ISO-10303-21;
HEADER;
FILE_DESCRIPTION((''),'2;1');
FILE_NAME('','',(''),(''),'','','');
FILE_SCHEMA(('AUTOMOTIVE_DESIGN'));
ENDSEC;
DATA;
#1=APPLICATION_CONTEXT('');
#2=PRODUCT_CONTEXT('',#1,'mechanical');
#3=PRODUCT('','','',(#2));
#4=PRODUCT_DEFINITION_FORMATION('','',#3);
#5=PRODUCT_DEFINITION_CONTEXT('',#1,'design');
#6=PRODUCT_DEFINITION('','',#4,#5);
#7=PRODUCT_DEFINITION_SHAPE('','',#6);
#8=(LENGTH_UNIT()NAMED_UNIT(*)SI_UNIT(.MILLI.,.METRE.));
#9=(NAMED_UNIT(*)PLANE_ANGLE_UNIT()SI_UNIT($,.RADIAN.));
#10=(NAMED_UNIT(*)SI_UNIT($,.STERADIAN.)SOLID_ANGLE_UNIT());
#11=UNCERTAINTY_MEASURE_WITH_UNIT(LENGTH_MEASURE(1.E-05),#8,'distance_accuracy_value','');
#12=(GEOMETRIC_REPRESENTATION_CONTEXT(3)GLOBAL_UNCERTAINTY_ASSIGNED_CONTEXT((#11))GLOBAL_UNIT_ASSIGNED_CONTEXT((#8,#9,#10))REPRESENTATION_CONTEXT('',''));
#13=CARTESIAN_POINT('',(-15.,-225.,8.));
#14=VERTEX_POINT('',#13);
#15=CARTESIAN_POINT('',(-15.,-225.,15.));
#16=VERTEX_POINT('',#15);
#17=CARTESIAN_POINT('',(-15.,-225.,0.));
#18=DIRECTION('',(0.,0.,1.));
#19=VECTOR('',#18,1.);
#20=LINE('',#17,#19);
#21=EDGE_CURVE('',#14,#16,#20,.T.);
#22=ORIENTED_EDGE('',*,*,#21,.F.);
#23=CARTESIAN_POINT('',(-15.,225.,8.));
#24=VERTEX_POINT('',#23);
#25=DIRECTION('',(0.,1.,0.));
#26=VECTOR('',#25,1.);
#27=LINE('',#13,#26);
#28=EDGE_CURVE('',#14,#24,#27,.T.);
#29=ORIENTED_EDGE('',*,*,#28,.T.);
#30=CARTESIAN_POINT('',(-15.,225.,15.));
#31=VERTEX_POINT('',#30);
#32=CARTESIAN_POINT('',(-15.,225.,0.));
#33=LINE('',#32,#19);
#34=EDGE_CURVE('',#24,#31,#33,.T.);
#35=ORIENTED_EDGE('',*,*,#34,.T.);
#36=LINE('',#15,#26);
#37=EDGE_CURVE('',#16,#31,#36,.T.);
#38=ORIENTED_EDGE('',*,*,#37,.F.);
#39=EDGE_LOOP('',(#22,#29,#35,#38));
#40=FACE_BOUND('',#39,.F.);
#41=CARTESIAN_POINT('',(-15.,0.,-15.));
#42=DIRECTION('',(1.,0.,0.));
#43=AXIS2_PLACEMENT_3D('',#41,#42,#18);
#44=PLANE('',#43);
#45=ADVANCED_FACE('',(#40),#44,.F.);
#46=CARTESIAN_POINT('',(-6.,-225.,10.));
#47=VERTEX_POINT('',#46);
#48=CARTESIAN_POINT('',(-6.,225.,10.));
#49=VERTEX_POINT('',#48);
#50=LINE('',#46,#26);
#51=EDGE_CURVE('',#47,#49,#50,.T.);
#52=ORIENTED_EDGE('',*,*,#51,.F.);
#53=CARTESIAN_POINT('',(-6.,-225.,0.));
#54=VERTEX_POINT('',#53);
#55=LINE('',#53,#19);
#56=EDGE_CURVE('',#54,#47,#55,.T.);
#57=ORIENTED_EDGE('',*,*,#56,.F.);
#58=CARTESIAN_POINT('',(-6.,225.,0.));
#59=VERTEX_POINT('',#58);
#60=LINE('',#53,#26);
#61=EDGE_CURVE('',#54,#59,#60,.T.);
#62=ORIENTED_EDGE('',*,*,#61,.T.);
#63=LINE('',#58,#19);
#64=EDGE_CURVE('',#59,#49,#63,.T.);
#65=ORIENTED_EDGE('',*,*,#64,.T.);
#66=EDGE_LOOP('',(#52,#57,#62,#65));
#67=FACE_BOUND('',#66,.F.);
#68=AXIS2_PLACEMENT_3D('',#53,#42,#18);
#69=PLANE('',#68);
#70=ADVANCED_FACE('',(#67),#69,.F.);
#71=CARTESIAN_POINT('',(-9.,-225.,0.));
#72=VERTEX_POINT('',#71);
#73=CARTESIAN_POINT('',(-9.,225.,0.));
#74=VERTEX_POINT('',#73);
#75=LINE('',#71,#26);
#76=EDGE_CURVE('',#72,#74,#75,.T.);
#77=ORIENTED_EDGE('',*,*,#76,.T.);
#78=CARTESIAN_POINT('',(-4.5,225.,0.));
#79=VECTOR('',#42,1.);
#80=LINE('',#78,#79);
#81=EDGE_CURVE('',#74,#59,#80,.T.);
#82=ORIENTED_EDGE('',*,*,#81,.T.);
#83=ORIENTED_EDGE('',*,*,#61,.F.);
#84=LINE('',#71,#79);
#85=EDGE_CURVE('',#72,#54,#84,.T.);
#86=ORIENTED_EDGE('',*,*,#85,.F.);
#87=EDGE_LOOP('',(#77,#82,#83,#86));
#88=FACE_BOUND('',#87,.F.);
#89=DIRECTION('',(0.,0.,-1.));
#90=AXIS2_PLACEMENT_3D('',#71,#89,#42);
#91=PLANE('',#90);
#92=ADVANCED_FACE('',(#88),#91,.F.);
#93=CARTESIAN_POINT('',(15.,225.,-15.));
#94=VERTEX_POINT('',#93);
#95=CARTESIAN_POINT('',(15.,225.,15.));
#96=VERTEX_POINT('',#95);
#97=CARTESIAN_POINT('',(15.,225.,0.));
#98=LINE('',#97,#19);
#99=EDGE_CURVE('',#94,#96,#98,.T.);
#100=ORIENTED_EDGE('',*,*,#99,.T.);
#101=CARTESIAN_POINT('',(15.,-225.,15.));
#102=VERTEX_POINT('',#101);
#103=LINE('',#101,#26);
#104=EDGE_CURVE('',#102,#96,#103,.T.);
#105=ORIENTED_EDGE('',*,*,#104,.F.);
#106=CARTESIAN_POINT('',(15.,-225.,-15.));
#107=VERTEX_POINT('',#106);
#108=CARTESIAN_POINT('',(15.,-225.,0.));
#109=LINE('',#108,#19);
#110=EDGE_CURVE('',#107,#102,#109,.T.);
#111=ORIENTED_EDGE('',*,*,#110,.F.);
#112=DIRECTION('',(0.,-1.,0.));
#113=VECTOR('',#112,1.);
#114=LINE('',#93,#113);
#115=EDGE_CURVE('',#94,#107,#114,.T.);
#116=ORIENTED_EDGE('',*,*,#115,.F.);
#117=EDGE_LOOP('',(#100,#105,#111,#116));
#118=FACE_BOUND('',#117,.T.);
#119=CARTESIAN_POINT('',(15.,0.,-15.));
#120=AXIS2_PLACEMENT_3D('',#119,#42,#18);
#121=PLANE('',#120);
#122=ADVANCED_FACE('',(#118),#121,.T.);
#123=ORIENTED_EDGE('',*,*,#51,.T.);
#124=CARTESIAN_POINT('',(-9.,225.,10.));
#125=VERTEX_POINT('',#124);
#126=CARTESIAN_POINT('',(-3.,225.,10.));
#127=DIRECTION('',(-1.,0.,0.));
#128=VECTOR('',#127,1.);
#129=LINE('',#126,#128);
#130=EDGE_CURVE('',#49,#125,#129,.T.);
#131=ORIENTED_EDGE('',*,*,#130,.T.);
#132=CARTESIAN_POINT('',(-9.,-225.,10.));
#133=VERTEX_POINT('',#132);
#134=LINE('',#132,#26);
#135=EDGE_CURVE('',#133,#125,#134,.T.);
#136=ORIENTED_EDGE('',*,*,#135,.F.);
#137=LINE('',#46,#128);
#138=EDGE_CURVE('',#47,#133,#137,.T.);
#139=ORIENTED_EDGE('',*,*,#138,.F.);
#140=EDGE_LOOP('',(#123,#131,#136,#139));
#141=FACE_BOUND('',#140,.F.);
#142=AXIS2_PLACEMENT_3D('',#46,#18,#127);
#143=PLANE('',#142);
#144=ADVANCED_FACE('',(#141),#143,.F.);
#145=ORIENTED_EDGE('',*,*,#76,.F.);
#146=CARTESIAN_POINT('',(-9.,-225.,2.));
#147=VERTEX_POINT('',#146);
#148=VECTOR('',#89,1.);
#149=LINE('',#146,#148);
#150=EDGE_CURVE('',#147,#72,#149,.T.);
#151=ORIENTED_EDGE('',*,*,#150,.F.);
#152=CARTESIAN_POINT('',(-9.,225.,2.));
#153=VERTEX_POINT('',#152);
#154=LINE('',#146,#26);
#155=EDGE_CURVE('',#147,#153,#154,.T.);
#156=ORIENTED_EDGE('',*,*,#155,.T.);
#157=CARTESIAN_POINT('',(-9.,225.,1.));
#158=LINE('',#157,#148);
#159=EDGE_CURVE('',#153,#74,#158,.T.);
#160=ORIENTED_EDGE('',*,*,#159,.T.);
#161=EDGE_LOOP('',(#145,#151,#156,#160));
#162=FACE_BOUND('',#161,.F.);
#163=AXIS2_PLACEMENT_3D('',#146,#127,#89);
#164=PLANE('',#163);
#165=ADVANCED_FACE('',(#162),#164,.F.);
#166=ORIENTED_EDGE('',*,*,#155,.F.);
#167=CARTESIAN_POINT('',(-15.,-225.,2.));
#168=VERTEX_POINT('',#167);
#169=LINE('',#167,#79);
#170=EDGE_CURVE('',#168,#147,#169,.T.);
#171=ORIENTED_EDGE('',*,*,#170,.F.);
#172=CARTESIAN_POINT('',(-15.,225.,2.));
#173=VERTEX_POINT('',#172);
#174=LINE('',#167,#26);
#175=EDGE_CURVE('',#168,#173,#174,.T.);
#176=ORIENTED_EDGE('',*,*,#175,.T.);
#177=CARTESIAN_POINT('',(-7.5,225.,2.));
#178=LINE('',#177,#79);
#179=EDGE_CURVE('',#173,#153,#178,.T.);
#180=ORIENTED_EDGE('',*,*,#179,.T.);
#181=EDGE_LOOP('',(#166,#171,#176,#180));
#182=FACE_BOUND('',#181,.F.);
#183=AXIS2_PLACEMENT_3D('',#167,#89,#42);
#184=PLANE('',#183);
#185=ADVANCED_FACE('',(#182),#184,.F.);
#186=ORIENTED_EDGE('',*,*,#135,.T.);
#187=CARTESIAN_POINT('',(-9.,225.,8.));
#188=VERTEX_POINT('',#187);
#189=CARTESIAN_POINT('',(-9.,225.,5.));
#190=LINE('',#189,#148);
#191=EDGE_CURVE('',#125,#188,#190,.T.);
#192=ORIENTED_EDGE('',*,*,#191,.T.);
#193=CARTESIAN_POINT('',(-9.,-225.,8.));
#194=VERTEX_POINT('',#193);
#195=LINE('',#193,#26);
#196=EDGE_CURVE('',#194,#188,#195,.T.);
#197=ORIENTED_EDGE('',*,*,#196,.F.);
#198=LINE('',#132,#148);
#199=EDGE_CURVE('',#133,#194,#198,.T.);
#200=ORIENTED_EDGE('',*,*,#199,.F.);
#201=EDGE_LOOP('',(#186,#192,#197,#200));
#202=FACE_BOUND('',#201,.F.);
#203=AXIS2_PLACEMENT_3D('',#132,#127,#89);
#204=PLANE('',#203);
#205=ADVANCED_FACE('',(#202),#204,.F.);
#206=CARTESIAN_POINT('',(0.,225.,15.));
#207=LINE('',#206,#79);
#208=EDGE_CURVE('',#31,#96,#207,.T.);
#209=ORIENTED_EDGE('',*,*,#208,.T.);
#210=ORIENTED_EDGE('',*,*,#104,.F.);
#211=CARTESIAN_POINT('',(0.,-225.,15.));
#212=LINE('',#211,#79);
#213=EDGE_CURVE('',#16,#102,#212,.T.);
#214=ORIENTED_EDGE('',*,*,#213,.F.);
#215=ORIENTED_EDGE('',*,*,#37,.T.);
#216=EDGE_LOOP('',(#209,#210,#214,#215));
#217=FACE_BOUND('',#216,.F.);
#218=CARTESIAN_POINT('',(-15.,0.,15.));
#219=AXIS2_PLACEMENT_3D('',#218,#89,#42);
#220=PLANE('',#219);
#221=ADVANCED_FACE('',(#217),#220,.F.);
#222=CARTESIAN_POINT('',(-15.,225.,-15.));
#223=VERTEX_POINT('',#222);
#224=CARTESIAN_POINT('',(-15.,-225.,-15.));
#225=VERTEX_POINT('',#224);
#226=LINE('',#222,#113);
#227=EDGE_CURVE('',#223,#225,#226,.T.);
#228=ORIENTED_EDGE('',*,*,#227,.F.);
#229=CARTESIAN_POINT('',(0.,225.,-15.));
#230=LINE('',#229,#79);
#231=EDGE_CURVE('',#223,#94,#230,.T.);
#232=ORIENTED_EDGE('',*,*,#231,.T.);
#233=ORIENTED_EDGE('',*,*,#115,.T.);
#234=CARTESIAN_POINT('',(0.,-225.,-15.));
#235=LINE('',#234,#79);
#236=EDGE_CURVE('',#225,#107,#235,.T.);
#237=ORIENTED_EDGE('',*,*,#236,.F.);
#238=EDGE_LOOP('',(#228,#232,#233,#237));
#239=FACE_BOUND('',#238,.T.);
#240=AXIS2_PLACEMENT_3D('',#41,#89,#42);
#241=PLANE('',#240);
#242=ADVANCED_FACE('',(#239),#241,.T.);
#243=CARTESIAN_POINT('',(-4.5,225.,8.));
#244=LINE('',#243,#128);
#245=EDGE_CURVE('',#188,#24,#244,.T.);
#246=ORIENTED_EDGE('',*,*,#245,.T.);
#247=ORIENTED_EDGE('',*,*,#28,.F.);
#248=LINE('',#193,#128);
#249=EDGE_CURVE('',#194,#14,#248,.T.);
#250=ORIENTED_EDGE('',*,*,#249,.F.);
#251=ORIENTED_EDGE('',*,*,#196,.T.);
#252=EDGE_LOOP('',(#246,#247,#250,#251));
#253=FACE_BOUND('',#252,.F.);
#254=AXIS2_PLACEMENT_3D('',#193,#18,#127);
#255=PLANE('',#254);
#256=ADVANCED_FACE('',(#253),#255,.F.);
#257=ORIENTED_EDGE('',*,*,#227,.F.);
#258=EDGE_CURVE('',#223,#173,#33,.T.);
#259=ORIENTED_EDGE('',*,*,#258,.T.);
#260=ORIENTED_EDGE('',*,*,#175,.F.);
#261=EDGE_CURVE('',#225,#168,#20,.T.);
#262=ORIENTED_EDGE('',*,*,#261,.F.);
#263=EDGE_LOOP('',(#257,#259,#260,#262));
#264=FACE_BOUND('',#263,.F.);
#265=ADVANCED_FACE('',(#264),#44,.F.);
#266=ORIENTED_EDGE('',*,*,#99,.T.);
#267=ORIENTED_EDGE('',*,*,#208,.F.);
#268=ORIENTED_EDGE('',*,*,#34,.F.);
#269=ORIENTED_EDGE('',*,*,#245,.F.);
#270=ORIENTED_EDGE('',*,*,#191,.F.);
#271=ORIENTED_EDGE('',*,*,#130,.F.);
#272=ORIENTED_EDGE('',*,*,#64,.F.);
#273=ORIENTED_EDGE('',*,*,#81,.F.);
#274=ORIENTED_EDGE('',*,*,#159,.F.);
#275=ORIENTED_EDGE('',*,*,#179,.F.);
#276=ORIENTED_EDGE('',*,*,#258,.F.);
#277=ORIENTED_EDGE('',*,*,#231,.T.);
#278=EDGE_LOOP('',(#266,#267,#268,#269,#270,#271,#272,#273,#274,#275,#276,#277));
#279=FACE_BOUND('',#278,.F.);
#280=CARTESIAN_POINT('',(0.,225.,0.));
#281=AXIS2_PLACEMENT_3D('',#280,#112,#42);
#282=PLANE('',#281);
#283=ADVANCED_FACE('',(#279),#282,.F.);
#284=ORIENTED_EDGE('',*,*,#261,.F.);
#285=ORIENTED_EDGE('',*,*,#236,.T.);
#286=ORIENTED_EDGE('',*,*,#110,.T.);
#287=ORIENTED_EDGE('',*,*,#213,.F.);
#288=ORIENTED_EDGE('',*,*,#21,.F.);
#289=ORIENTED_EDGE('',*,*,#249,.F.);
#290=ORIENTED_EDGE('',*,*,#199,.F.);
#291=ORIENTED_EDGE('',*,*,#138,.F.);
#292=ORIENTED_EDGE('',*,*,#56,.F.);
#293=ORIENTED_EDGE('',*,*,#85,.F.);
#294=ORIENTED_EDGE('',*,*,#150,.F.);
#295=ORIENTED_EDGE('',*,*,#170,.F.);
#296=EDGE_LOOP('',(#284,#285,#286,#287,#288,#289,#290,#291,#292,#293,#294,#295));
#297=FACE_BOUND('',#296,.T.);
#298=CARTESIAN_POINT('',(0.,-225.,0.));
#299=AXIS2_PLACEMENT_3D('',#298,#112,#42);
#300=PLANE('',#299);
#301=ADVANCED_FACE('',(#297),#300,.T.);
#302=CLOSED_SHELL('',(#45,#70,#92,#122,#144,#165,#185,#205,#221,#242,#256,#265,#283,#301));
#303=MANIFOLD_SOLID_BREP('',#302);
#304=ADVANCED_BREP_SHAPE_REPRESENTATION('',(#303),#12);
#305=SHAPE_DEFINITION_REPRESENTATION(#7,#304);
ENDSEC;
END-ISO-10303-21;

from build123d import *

# Parameters (mm, degrees)
F0_W          = 30
F0_H          = 30
F1_DEPTH      = 225
F1_DEPTH_BACK = 225
F3_DEPTH      = 450.001


with BuildPart() as f1:
    # F0 (on Front) → F1 (new body, two sides)
    with BuildSketch(Plane.XZ) as f1_sk:
        Rectangle(F0_W, F0_H)
    extrude(amount=F1_DEPTH)
    extrude(f1_sk.sketch, amount=-F1_DEPTH_BACK)

    # F2 (on face) → F3 (cut, through all)
    with BuildSketch(Plane.XZ.offset(225)):
        Polygon((-9, 8), (-15, 8), (-15, 2), (-9, 2), (-9, 0), (-6, 0), (-6, 10), (-9, 10), align=None)
    extrude(amount=-F3_DEPTH, mode=Mode.SUBTRACT)


solid = f1.part
